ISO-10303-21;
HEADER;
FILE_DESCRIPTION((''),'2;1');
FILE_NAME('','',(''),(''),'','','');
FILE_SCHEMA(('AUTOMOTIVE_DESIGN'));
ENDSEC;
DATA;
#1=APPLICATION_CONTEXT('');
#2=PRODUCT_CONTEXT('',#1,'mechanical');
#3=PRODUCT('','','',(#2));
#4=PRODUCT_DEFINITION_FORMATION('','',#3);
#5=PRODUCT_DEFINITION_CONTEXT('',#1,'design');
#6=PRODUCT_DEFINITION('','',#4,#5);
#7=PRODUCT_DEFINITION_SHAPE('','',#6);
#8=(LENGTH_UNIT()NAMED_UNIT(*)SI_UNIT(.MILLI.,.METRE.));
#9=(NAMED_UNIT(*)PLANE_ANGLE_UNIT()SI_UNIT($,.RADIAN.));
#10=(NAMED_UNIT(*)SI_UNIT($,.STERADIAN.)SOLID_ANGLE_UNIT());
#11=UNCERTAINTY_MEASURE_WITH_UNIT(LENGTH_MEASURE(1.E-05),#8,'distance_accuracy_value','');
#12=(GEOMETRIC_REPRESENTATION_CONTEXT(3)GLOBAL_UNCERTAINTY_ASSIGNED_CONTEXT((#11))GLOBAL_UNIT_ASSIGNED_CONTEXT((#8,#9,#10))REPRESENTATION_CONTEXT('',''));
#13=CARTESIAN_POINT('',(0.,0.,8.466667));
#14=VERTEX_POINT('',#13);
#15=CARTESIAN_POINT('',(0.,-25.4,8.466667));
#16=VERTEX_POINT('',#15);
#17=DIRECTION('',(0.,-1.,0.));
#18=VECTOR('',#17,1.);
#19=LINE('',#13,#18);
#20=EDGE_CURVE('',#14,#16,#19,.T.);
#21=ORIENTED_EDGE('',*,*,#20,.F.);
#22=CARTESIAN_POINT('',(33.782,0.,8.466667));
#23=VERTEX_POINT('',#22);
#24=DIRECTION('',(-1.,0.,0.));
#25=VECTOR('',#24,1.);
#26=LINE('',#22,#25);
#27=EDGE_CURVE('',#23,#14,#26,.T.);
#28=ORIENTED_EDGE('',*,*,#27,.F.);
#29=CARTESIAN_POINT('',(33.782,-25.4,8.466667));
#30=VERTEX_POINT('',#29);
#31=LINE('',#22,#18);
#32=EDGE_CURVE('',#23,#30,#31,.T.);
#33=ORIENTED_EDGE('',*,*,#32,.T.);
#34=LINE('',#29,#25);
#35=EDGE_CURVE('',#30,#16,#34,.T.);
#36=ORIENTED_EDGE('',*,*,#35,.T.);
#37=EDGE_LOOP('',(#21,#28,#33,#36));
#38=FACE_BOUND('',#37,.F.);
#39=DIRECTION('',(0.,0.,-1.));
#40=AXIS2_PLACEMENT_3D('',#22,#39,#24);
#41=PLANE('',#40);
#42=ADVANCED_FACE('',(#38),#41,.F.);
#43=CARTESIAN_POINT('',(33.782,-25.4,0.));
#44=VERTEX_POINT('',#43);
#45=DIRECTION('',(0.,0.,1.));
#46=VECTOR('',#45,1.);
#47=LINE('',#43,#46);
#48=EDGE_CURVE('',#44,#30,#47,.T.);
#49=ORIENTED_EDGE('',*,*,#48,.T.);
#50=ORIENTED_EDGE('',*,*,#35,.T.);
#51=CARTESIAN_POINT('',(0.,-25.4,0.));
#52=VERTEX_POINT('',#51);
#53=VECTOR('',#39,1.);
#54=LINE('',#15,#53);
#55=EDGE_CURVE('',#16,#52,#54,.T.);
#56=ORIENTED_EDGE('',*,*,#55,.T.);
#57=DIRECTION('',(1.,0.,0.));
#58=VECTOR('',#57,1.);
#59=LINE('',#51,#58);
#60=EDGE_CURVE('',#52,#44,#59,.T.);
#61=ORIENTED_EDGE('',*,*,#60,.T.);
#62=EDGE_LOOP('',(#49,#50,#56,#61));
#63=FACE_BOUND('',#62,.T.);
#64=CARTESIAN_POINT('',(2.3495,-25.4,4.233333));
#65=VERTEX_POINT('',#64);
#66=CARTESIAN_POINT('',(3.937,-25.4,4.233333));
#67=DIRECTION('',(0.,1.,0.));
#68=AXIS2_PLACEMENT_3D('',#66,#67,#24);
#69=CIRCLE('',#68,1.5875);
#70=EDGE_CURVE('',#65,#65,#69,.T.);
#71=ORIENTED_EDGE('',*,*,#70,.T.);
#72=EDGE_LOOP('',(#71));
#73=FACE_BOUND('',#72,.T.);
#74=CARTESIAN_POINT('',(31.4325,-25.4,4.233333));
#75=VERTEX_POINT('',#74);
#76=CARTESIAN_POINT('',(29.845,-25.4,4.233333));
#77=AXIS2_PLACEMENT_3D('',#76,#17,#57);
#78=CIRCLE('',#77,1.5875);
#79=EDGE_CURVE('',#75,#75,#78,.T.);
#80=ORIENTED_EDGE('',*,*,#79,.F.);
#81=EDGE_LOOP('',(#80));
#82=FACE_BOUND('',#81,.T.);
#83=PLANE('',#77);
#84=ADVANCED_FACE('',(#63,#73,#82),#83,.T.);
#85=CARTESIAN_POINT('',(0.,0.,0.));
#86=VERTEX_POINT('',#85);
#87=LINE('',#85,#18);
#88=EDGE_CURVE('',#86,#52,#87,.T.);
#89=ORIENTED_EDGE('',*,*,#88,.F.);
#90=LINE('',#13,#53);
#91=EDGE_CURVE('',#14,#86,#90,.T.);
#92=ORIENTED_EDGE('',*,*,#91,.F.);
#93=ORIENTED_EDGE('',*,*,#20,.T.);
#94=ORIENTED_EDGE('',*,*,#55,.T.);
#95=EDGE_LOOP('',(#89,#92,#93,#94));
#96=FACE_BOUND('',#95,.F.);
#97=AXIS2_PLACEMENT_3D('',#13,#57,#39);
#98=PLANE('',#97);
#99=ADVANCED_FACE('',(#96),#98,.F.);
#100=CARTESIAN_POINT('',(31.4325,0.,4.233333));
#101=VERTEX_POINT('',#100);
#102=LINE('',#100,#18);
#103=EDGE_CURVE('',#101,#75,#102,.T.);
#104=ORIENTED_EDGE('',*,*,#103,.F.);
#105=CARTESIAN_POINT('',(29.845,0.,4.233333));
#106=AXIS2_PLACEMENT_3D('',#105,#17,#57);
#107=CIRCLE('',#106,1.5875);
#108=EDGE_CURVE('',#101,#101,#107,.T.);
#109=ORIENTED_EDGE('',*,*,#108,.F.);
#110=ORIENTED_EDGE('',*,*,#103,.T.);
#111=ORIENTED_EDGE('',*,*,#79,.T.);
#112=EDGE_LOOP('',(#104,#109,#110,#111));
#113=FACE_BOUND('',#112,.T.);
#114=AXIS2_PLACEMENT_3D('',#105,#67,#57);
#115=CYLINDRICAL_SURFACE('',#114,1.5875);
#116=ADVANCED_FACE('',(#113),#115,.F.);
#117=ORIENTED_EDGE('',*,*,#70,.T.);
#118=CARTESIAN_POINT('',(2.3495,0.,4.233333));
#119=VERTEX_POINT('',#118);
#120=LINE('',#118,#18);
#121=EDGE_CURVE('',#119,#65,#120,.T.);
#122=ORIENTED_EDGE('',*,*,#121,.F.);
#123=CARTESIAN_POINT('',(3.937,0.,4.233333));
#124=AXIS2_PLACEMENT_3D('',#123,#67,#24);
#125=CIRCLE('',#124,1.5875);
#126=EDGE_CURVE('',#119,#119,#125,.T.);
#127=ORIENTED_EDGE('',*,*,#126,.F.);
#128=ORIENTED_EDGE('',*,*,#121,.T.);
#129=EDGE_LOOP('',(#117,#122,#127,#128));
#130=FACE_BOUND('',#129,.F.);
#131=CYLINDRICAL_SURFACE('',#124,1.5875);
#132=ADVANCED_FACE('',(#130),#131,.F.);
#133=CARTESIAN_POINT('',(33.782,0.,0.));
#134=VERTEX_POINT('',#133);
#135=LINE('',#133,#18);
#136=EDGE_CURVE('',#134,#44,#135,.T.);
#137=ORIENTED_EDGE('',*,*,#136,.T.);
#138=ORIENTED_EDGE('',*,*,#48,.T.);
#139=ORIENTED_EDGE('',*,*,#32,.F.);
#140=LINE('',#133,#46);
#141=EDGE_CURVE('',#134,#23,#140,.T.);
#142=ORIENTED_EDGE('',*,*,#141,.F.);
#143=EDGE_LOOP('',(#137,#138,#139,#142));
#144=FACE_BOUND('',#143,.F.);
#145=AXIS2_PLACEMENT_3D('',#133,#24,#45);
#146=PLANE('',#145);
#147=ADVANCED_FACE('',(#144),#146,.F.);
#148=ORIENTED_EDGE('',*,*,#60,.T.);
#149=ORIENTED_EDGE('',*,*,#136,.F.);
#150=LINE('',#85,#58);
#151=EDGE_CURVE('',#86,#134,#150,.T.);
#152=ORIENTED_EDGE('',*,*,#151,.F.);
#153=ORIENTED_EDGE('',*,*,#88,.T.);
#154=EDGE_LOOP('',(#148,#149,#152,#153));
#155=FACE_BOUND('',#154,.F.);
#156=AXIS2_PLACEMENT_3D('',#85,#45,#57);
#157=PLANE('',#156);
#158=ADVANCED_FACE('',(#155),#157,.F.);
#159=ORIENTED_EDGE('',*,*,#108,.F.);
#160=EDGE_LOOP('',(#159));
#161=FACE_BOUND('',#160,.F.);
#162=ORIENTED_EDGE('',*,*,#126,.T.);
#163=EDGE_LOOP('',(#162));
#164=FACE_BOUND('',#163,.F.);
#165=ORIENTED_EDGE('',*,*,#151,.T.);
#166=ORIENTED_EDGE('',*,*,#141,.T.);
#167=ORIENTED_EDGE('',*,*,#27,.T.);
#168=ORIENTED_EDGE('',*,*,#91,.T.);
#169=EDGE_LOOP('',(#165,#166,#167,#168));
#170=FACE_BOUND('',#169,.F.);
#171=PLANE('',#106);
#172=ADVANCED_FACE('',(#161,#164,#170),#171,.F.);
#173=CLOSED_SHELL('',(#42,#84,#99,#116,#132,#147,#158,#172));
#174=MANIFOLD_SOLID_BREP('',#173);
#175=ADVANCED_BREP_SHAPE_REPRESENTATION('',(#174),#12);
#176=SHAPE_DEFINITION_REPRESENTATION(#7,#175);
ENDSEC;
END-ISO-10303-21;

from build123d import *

# Parameters (mm, degrees)
F0_R     = 1.5875
F1_DEPTH = 25.4


with BuildPart() as f1:
    # F0 (on Front) → F1 (new body)
    with BuildSketch(Plane.XZ):
        with Locations((29.845, 4.233333)):
            Circle(F0_R)
        with BuildLine():
            ThreePointArc((5.5245, 4.233333), (3.937, 5.820833), (2.3495, 4.233333))
            ThreePointArc((2.3495, 4.233333), (3.937, 2.645833), (5.5245, 4.233333))
        make_face()
        Polygon((0, 4.233333), (0, 0), (33.782, 0), (33.782, 4.233333), (33.782, 8.466667), (0, 8.466667), align=None)
        with BuildLine():
            ThreePointArc((5.5245, 4.233333), (3.937, 2.645833), (2.3495, 4.233333))
            ThreePointArc((2.3495, 4.233333), (3.937, 5.820833), (5.5245, 4.233333))
        make_face(mode=Mode.SUBTRACT)
        with Locations((29.845, 4.233333)):
            Circle(F0_R, mode=Mode.SUBTRACT)
    extrude(amount=F1_DEPTH)


solid = f1.part
